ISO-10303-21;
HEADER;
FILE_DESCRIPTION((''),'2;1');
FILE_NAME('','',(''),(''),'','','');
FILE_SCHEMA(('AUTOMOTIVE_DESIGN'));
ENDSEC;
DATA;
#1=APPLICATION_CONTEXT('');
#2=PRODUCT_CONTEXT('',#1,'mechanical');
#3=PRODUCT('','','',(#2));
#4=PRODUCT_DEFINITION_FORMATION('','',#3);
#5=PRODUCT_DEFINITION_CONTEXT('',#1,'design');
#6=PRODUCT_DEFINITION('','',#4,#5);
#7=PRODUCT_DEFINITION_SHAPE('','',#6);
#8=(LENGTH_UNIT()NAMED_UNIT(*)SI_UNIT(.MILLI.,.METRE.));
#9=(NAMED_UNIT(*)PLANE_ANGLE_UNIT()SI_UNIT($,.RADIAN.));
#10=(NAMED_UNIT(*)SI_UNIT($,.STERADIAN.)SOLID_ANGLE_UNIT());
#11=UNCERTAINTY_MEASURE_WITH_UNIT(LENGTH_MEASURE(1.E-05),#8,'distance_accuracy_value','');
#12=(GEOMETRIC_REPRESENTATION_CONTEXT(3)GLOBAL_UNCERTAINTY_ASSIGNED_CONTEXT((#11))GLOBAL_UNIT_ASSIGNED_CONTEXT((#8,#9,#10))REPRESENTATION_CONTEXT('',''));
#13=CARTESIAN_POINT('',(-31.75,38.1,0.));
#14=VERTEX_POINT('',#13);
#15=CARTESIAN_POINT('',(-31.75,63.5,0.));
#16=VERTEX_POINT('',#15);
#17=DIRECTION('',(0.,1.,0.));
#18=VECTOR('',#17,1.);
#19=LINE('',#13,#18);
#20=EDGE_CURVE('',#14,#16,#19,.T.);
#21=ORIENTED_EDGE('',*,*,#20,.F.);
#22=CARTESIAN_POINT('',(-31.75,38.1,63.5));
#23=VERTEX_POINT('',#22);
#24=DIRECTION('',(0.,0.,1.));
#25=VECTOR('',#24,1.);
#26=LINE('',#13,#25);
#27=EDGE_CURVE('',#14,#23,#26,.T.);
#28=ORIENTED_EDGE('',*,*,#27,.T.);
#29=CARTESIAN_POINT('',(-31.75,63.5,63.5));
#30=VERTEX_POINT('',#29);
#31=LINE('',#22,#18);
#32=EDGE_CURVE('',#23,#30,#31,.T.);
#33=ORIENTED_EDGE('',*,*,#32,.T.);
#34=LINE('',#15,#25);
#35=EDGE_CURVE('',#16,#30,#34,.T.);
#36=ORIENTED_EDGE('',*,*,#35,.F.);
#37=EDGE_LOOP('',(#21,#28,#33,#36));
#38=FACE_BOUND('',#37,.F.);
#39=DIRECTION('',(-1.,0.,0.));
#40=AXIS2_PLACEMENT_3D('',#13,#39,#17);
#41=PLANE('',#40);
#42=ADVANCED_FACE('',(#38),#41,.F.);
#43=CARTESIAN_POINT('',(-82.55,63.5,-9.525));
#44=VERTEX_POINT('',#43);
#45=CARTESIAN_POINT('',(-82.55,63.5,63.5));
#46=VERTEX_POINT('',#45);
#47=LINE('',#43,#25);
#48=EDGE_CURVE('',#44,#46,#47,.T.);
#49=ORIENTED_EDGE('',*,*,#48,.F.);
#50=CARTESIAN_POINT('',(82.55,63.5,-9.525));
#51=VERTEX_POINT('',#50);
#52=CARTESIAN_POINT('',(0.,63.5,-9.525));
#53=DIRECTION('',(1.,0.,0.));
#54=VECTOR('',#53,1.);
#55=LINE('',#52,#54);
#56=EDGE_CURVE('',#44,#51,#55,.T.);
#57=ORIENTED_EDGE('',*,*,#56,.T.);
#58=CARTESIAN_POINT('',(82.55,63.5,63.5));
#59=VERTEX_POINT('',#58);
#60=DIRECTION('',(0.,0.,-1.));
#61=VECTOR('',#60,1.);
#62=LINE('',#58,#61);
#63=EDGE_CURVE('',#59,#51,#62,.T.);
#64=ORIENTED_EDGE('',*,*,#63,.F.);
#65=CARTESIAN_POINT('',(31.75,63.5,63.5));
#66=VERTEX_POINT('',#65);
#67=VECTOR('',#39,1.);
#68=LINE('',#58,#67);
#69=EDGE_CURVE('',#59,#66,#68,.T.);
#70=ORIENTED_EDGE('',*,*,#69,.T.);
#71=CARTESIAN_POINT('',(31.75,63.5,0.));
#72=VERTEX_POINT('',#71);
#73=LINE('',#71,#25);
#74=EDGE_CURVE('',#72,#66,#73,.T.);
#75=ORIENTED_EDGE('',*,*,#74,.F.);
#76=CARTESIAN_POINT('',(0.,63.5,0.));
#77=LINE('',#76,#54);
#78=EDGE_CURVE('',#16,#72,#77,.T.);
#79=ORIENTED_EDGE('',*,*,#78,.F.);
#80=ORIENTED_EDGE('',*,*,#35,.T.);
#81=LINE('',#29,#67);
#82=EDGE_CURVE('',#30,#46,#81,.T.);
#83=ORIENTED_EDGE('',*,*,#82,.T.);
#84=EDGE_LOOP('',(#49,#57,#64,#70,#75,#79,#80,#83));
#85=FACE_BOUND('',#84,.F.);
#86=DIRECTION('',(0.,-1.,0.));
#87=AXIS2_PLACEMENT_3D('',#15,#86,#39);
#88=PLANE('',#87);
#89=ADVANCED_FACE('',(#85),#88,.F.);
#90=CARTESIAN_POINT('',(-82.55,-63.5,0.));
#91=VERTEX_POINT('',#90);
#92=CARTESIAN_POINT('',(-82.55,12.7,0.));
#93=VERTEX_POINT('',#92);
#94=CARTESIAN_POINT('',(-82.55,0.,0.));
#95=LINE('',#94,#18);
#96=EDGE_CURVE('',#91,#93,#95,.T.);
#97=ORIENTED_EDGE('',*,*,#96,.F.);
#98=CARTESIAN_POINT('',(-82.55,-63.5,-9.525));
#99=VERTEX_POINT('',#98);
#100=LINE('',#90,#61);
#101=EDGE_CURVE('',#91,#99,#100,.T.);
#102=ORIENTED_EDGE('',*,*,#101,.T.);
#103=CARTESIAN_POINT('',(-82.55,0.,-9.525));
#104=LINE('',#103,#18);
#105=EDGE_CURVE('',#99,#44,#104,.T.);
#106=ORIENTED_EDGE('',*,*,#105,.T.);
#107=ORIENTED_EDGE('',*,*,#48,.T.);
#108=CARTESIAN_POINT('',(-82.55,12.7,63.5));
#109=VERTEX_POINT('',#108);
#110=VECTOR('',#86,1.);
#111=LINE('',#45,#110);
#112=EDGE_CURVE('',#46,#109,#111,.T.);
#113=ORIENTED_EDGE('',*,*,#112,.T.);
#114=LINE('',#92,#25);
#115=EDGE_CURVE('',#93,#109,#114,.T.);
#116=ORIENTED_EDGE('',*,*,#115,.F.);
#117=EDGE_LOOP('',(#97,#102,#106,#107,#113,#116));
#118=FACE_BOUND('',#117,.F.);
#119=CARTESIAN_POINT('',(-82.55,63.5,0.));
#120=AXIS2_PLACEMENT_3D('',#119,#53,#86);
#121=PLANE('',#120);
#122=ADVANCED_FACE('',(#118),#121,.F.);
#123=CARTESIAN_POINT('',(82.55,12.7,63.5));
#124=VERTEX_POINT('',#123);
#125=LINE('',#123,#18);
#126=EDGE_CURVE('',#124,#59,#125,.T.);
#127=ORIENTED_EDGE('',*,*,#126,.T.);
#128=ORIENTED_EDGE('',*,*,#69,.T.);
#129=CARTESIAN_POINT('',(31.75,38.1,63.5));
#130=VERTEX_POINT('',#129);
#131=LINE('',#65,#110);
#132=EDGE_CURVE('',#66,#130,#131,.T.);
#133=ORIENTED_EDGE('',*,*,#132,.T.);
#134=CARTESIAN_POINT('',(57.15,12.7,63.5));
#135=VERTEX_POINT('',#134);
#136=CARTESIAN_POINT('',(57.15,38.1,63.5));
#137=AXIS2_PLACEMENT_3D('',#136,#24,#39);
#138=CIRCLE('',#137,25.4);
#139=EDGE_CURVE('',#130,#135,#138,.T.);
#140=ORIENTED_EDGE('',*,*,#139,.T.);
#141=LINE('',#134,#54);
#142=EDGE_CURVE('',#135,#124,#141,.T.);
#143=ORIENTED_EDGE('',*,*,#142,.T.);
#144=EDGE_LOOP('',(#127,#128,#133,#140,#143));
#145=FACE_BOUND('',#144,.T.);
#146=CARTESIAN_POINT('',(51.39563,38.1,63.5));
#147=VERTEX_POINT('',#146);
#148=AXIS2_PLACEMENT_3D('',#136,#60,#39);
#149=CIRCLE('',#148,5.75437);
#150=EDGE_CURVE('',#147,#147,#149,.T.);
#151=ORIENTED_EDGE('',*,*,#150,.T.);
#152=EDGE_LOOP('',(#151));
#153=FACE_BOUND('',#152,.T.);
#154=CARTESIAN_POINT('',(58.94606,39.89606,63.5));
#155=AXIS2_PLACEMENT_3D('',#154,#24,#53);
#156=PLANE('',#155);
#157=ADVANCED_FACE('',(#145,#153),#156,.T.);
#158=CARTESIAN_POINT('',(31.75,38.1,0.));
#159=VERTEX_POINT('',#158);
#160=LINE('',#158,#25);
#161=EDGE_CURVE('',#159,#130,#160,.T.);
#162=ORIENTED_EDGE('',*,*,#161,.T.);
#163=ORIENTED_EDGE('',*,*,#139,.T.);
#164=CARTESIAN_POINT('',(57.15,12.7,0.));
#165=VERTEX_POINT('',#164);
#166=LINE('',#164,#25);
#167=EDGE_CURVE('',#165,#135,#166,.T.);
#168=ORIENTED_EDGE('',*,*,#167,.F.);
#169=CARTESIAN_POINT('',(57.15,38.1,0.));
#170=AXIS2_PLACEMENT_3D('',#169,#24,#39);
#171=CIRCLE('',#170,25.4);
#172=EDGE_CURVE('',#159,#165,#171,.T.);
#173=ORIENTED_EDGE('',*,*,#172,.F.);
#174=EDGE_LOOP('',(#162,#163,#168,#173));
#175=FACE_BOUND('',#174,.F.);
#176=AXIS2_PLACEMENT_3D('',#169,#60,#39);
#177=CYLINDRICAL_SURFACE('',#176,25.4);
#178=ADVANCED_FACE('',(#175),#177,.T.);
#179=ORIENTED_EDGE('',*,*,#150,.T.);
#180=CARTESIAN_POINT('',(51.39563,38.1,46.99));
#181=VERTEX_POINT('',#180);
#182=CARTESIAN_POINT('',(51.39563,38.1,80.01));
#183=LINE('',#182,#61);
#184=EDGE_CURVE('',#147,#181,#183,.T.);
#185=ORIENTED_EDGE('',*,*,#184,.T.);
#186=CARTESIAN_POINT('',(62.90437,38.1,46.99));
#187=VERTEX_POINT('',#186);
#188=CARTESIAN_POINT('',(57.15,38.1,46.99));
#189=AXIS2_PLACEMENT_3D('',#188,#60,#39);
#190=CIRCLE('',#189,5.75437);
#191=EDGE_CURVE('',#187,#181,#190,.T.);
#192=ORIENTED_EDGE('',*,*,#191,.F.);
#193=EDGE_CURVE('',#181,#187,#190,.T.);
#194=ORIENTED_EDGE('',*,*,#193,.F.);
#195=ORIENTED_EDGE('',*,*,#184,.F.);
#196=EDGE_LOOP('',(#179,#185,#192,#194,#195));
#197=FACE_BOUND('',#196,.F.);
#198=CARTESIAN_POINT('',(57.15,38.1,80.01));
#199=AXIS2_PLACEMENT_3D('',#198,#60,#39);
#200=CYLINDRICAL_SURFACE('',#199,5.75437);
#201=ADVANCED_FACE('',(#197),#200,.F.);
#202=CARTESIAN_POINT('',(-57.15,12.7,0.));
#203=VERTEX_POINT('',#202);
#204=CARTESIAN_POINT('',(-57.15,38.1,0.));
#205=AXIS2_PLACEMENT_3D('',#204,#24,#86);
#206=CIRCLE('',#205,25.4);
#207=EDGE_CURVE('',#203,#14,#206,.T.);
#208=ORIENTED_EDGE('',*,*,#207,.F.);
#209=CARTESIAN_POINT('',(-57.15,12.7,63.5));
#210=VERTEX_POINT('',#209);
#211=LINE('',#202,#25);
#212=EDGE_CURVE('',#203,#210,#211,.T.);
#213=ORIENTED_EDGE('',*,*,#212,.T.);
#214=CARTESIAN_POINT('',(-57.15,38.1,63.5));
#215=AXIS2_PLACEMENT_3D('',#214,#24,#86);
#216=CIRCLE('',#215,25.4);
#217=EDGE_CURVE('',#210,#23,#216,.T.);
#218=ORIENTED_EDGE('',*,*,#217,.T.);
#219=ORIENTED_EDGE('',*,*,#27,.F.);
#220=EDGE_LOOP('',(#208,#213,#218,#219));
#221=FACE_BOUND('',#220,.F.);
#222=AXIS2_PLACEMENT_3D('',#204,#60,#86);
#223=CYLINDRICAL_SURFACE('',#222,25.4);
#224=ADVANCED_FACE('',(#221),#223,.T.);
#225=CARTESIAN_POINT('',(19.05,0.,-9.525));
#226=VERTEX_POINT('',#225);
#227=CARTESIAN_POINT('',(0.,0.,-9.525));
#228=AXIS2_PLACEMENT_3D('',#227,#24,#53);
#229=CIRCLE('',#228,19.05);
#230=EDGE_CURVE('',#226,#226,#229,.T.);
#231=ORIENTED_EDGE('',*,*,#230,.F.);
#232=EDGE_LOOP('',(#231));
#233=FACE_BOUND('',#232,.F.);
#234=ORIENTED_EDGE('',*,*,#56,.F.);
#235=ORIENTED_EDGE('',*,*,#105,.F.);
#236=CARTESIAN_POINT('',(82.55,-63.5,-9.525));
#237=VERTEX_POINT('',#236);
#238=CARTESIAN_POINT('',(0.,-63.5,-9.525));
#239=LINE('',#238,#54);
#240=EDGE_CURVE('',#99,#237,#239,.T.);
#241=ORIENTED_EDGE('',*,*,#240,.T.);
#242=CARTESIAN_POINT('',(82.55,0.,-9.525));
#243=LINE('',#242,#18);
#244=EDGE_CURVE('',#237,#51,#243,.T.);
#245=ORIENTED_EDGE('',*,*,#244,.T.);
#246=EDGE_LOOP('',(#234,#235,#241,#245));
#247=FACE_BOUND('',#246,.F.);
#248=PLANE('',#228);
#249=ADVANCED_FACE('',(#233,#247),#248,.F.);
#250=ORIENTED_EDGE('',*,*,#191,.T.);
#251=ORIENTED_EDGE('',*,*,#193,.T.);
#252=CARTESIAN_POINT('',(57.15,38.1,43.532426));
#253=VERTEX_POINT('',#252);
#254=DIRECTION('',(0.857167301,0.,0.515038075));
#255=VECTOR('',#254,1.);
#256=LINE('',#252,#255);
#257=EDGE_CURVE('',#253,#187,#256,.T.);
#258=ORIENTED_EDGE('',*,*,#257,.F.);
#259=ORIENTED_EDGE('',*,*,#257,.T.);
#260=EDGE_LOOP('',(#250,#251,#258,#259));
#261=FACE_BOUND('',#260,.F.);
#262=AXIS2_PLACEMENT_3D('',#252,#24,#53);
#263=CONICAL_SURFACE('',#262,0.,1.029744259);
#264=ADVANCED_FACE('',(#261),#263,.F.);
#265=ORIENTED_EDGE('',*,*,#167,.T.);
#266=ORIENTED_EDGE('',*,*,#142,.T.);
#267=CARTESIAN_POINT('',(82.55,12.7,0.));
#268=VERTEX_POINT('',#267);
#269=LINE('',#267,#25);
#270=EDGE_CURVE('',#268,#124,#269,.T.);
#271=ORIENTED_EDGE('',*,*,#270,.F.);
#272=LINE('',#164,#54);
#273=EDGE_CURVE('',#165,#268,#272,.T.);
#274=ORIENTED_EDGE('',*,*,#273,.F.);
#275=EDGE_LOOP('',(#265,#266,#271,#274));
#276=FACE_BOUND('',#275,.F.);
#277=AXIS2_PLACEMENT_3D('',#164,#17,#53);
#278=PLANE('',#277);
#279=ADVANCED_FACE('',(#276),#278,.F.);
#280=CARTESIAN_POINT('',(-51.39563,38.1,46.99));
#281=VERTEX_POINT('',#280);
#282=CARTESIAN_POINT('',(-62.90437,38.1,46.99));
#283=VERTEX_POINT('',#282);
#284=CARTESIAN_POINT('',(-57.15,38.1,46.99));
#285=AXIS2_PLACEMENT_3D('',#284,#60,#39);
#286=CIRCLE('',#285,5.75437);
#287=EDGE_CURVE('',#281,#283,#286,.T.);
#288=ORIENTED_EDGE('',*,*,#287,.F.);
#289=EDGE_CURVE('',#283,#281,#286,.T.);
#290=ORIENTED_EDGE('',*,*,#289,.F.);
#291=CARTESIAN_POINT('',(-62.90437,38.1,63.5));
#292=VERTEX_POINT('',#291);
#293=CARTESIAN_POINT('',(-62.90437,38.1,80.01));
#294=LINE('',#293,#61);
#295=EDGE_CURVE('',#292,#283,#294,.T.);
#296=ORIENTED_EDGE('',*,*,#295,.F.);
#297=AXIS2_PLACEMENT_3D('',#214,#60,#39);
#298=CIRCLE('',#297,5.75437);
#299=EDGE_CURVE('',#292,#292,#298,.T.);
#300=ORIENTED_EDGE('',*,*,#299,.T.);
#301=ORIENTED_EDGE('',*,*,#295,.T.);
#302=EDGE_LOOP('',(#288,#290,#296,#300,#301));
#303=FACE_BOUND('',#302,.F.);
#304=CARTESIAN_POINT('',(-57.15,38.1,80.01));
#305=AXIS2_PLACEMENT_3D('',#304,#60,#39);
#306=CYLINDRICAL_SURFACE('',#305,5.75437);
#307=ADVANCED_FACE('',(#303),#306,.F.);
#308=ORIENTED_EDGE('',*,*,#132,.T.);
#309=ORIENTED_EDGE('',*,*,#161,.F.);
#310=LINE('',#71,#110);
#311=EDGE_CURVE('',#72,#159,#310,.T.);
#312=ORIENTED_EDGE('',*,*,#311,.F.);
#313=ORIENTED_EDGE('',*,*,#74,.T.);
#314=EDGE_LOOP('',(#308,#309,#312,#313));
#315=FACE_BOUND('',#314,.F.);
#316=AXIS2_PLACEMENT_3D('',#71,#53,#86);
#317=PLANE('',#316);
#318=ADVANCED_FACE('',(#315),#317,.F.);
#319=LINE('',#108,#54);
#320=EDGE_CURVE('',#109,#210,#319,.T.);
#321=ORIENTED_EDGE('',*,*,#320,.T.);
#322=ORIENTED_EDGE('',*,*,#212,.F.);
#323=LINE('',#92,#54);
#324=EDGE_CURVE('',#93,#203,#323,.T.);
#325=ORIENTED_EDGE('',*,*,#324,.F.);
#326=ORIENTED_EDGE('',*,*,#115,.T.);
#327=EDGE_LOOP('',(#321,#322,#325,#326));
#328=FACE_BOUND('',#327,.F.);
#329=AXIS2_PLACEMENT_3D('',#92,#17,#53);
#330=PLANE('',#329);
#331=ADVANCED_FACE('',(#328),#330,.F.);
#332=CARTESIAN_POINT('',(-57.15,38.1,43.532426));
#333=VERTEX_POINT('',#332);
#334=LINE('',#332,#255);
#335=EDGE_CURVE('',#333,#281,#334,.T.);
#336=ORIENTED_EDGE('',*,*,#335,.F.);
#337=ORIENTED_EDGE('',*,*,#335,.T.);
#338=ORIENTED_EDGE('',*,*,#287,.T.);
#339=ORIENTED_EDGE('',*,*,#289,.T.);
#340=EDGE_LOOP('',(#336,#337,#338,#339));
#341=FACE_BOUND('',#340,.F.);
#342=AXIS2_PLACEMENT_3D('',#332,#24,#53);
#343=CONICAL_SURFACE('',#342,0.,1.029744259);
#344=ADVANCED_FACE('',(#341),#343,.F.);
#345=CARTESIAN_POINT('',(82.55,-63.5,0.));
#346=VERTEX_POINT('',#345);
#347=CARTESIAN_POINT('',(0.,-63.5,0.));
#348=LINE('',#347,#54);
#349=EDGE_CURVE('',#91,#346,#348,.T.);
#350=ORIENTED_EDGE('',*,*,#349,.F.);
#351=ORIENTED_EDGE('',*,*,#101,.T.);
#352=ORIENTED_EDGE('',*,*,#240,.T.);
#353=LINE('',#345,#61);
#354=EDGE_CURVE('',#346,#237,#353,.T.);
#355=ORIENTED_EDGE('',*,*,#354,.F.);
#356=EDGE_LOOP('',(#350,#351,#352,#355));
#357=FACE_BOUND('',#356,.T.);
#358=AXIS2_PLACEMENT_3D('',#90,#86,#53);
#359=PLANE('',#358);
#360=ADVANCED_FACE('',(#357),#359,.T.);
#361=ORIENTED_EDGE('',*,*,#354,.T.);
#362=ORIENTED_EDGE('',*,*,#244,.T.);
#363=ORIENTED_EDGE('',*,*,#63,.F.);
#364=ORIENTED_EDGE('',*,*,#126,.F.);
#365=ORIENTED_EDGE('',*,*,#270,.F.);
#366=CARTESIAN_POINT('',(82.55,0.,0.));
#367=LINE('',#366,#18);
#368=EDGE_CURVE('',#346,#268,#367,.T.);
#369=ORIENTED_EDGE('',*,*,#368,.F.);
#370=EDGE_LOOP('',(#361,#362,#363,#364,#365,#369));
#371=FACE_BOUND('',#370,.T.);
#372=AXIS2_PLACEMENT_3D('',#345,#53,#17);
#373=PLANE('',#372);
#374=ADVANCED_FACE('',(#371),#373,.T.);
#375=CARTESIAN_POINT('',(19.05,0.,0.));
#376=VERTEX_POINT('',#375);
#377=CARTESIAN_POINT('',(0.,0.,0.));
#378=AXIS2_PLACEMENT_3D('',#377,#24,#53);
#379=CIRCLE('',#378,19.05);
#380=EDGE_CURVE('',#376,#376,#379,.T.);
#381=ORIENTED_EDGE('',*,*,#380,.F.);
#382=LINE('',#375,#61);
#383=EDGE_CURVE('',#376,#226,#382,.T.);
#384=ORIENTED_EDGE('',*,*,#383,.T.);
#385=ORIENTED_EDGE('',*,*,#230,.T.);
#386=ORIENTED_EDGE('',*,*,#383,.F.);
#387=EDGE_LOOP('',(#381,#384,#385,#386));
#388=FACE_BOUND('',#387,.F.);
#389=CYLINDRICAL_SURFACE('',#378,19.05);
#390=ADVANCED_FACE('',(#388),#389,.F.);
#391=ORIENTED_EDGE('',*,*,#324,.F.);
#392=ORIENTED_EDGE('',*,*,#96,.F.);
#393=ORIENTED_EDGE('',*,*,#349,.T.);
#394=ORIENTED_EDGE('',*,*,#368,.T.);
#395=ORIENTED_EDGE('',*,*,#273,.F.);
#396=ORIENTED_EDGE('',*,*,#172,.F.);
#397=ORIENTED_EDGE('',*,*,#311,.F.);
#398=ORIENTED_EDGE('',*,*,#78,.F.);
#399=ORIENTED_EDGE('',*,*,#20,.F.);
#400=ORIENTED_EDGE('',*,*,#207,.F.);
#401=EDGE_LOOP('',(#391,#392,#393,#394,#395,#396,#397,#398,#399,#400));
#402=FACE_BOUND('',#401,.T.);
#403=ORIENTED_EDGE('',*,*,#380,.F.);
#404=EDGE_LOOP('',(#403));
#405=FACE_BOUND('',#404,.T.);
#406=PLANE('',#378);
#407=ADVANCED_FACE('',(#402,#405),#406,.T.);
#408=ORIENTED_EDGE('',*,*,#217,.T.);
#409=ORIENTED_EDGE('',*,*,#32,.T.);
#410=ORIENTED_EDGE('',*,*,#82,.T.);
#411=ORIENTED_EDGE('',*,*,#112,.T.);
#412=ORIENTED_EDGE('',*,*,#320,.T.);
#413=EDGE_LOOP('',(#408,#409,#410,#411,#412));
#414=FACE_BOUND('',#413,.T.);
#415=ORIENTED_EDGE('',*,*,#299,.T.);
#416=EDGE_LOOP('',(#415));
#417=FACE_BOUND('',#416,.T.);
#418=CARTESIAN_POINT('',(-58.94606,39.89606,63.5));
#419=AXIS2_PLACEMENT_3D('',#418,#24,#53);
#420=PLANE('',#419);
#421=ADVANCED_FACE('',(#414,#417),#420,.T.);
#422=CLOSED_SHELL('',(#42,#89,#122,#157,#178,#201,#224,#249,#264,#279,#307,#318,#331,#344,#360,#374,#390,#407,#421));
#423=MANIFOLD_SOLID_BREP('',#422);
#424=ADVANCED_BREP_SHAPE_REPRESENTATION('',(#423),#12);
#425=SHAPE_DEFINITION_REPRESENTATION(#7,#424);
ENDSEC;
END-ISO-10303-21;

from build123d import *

# Parameters (mm, degrees)
F0_W     = 165.1
F0_H     = 127
F0_R     = 19.05
F1_DEPTH = 9.525
F3_DEPTH = 63.5
F5_D     = 11.50874
F5_DEPTH = 16.51
F5_TIP   = 3.4575743203


with BuildPart() as f1:
    # F0 (on Top) → F1 (new body)
    with BuildSketch(Plane.XY):
        Rectangle(F0_W, F0_H)
        Circle(F0_R, mode=Mode.SUBTRACT)
    extrude(amount=-F1_DEPTH)

    # F2 (on face) → F3 (join)
    with BuildSketch(Plane.XY):
        with BuildLine():
            Line((-31.75, 63.5), (-82.55, 63.5))
            Line((-82.55, 63.5), (-82.55, 12.7))
            Line((-82.55, 12.7), (-57.15, 12.7))
            ThreePointArc((-57.15, 12.7), (-39.1894877579, 20.1394877579), (-31.75, 38.1))
            Line((-31.75, 38.1), (-31.75, 63.5))
        make_face()
        with BuildLine():
            Line((82.55, 63.5), (31.75, 63.5))
            Line((31.75, 63.5), (31.75, 38.1))
            ThreePointArc((31.75, 38.1), (39.1894877579, 20.1394877579), (57.15, 12.7))
            Line((57.15, 12.7), (82.55, 12.7))
            Line((82.55, 12.7), (82.55, 63.5))
        make_face()
    extrude(amount=F3_DEPTH)

    # F5
    with Locations(Plane.XY.offset(63.5)):
        with Locations((57.15, 38.1), (-57.15, 38.1)):
            Hole(F5_D / 2, depth=F5_DEPTH)
            with Locations((0, 0, -(F5_DEPTH + F5_TIP / 2))):  # 118° drill point
                Cone(0, F5_D / 2, F5_TIP, mode=Mode.SUBTRACT)


solid = f1.part
